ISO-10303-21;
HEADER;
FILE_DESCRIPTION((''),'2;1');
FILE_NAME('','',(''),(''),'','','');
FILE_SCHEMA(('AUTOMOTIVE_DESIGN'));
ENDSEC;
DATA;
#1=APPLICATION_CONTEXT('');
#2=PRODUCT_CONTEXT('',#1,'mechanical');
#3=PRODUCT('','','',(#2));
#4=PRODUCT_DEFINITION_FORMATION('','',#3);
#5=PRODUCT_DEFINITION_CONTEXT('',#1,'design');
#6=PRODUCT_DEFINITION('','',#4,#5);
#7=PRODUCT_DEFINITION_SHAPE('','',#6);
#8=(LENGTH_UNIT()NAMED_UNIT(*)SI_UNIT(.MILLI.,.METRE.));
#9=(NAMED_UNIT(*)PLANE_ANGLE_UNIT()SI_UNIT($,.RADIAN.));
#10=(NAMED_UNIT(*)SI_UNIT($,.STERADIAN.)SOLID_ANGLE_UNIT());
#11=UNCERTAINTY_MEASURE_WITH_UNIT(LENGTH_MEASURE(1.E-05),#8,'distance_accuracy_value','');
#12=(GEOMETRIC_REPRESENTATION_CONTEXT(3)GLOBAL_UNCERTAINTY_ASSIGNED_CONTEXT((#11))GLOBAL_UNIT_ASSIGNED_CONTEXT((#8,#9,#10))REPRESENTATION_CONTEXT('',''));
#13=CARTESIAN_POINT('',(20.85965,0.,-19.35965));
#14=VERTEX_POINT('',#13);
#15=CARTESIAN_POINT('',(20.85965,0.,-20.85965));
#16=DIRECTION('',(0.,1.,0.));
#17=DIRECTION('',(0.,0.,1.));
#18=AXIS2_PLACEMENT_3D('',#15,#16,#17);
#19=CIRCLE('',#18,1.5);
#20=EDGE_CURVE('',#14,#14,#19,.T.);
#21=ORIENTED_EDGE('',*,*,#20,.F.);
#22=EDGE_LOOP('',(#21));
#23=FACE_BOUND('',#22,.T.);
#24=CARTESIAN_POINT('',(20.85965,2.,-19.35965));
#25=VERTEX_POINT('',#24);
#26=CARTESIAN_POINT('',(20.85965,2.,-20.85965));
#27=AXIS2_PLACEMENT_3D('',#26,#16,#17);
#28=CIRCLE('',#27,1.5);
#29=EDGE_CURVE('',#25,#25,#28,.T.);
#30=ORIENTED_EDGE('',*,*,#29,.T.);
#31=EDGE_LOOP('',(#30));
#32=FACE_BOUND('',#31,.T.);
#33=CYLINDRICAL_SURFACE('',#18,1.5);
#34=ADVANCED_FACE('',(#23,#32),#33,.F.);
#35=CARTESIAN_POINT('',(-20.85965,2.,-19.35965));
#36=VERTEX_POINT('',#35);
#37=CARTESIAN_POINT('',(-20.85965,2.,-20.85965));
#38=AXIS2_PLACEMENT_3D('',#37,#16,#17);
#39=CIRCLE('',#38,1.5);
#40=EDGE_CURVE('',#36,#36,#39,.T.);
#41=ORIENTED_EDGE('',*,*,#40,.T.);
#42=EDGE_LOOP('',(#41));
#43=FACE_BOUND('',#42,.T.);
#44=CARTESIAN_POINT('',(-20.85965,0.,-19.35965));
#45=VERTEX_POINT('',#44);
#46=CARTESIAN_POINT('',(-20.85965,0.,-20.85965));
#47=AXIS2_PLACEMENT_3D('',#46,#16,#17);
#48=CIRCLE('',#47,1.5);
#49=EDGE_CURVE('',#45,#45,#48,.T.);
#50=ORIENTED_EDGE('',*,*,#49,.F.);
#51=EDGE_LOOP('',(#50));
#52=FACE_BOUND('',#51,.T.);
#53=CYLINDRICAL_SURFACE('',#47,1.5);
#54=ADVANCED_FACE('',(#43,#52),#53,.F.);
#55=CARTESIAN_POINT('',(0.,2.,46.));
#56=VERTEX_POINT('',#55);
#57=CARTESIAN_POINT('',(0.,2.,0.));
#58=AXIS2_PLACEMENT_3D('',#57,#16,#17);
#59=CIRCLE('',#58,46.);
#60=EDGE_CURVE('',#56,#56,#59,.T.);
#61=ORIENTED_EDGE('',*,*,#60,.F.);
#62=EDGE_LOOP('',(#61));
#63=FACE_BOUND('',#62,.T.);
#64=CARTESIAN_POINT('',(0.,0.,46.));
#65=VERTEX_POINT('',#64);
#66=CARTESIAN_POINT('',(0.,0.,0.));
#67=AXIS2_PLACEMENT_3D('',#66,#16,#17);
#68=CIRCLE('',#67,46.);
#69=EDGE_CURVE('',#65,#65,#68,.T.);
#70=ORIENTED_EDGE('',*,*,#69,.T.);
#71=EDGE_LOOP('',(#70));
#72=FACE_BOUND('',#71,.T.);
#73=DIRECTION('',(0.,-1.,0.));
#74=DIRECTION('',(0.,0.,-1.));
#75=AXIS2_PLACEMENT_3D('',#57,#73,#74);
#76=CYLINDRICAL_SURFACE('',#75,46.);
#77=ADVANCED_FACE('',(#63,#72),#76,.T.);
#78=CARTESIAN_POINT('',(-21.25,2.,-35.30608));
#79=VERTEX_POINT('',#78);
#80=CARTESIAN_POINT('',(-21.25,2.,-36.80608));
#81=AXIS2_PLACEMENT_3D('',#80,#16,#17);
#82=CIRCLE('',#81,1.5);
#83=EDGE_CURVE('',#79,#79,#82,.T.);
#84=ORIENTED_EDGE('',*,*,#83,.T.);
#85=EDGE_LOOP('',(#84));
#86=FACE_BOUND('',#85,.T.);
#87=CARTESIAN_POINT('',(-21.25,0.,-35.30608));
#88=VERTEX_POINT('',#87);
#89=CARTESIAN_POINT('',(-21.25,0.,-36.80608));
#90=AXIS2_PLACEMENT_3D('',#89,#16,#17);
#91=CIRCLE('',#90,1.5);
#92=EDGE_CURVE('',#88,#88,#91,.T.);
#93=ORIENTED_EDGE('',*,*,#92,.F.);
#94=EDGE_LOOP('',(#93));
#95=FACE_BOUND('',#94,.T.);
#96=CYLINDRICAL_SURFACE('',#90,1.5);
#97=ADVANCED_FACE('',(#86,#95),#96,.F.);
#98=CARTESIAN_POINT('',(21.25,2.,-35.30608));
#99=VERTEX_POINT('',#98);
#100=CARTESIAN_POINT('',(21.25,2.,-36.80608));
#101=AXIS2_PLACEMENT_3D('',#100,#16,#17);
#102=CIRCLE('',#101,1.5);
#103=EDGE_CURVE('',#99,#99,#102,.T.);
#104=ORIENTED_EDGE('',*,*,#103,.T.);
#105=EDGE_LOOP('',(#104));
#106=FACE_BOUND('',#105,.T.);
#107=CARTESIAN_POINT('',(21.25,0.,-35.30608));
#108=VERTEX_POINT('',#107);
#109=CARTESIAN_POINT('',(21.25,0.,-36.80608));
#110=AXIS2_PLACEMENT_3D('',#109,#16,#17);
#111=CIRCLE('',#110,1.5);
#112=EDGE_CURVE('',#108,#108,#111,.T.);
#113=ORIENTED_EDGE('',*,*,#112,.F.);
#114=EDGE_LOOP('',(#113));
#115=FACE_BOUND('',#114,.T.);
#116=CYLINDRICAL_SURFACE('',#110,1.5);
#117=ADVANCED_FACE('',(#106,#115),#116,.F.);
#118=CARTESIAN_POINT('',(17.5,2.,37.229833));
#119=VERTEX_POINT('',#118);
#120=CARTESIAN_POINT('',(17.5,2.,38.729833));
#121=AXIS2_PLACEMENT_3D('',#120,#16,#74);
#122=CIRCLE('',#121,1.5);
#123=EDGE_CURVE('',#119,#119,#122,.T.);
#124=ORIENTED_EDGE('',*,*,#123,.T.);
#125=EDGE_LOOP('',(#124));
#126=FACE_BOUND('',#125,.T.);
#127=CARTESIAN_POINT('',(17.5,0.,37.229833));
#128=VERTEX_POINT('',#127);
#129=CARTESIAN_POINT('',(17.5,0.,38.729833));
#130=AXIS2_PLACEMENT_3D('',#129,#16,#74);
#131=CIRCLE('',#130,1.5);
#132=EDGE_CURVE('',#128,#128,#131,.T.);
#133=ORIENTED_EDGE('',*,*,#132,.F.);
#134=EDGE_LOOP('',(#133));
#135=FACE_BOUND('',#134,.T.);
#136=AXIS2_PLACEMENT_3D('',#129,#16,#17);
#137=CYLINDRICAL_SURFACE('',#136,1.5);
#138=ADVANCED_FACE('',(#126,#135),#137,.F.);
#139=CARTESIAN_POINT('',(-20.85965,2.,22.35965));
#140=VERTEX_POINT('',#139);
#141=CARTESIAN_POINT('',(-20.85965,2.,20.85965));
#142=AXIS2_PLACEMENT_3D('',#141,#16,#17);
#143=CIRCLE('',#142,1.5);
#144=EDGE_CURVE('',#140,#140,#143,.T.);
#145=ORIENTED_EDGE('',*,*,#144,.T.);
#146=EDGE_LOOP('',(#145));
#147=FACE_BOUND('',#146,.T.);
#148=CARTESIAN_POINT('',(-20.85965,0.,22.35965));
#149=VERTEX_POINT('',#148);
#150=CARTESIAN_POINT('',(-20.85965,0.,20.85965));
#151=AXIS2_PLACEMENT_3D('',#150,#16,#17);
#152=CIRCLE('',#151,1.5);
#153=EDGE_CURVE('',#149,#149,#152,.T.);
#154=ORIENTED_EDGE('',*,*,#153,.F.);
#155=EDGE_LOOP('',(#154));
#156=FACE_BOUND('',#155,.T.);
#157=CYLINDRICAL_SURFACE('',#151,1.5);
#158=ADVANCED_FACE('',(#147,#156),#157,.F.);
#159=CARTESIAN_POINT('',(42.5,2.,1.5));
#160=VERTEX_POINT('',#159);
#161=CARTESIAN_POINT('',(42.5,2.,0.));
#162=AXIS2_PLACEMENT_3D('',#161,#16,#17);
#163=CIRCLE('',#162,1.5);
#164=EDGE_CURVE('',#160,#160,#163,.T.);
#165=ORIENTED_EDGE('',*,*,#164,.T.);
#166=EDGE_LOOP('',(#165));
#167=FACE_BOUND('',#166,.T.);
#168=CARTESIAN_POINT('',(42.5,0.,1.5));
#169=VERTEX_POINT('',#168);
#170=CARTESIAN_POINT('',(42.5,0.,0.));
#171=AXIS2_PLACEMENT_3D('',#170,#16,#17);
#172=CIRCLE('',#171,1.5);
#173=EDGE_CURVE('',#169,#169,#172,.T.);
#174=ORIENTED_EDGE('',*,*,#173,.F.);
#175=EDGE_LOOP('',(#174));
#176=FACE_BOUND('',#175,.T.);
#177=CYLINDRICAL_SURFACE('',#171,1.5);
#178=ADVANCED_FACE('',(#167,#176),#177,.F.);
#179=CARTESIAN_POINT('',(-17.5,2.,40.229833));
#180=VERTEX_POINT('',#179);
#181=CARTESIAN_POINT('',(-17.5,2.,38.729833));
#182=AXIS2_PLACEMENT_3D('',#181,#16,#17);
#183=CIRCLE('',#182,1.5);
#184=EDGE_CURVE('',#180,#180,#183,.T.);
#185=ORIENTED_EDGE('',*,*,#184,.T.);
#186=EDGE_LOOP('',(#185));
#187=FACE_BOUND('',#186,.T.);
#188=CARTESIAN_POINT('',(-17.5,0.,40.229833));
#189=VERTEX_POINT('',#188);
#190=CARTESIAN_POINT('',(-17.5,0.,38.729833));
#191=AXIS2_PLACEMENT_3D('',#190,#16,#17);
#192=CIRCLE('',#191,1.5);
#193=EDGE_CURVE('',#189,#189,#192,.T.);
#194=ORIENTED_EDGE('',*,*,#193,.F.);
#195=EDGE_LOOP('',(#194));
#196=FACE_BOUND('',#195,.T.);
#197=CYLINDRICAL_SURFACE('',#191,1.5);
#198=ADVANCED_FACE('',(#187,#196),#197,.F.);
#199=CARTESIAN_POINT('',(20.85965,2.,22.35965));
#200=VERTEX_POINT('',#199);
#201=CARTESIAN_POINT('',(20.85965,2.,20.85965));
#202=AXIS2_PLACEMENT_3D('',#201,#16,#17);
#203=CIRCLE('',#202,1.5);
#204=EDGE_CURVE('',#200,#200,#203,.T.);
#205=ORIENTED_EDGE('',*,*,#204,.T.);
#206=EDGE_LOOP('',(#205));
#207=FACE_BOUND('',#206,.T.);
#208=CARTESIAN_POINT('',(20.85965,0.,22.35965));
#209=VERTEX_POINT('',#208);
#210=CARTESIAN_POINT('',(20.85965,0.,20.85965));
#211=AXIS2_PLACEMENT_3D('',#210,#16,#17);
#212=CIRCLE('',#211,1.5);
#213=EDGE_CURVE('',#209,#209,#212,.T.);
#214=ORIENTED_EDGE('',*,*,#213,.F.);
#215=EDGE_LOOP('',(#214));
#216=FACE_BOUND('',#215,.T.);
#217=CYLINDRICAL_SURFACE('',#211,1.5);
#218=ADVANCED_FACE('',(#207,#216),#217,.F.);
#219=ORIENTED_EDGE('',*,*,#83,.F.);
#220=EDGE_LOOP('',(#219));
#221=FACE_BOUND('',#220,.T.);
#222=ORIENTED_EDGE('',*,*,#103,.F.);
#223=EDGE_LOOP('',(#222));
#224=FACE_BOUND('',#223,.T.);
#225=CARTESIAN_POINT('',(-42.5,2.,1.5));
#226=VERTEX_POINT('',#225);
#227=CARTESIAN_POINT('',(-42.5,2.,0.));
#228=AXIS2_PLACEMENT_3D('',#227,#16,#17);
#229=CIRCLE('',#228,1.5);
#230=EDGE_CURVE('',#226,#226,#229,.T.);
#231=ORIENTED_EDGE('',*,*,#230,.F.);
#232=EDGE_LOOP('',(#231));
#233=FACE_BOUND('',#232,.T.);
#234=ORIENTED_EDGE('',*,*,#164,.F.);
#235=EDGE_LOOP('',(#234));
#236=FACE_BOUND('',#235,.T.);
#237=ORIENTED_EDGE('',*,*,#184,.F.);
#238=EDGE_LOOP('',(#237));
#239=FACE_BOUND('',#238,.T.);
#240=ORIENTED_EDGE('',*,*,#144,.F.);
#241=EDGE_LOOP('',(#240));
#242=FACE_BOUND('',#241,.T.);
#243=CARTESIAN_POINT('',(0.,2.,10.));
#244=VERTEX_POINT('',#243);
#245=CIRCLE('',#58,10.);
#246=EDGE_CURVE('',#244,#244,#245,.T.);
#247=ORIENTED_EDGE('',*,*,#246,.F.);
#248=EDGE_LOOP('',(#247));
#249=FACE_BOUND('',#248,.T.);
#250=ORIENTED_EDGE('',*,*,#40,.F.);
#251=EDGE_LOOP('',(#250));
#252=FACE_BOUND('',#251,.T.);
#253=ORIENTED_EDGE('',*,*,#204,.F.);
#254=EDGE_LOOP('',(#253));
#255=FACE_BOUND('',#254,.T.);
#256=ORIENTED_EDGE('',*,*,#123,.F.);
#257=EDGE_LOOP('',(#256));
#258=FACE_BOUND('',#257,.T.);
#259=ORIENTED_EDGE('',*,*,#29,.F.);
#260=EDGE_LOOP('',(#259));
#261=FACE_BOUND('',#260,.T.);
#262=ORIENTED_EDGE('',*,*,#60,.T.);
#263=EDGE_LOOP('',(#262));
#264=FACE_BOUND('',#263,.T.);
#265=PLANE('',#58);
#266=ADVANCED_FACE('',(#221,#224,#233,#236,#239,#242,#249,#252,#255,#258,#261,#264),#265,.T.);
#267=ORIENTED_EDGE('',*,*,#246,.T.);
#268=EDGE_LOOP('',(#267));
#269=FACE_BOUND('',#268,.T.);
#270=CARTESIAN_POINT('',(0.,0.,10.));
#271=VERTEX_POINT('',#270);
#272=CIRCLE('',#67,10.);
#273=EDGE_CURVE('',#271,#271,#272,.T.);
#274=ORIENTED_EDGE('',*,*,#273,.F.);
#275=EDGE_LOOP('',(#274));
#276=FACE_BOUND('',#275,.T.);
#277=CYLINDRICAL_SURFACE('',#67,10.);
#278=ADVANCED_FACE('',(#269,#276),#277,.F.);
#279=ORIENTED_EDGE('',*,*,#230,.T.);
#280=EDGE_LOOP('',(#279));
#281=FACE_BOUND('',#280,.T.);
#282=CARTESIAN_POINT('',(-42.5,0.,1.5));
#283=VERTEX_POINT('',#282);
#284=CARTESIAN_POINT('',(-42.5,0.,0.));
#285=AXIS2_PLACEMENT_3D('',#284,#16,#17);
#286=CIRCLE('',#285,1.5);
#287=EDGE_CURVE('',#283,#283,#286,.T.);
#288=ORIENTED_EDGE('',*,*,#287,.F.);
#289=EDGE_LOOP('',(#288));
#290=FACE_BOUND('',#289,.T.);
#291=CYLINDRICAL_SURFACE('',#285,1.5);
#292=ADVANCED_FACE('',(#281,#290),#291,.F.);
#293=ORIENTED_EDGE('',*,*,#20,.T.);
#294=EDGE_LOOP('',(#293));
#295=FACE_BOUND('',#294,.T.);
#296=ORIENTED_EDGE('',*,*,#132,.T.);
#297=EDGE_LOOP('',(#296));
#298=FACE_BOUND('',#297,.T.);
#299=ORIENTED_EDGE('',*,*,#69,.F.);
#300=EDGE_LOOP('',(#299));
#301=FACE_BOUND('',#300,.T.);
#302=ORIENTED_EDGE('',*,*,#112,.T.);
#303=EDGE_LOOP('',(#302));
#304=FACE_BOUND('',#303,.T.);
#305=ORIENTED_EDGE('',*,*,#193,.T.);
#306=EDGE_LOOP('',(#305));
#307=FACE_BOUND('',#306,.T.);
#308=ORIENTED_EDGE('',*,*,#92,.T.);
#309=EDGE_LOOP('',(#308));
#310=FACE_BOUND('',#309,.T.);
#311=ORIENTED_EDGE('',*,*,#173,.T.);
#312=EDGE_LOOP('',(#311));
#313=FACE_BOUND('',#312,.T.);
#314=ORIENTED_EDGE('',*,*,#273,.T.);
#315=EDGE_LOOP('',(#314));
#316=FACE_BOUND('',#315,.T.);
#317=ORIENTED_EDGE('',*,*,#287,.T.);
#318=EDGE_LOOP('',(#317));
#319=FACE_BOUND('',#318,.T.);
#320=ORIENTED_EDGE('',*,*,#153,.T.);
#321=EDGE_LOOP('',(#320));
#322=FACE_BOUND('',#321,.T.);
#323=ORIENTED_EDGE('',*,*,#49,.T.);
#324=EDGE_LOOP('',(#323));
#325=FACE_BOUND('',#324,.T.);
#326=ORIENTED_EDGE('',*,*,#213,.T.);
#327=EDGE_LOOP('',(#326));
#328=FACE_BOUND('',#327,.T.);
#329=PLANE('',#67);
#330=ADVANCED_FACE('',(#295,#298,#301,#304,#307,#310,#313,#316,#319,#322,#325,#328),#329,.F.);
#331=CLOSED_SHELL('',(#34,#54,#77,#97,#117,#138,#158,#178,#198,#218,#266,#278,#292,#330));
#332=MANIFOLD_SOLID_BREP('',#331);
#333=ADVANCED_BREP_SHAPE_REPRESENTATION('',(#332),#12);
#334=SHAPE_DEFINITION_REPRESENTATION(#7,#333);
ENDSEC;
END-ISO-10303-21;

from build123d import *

# Parameters (mm, degrees)
SKETCH_1_R          = 46
EXTRUDE_1_DEPTH     = 2
SKETCH_2_R          = 1.5
CUT_EXTRUDE_1_DEPTH = 66.084560381
SKETCH_3_R          = 1.5
CUT_EXTRUDE_2_DEPTH = 66.084560381
SKETCH_4_R          = 10
CUT_EXTRUDE_3_DEPTH = 66.084560381


with BuildPart() as part:
    # 草图1 → 凸台-拉伸1 (new body)
    with BuildSketch(Plane(origin=(0, 0, 0), x_dir=(1, 0, 0), z_dir=(0, 1, 0))):
        with Locations(Location((0, 0, 0), (0, 0, 270))):
            Circle(SKETCH_1_R)
    extrude(amount=EXTRUDE_1_DEPTH)

    # 草图2 → 切除-拉伸1 (cut, through all)
    with BuildSketch(Plane(origin=(0, 2, 0), x_dir=(1, 0, 0), z_dir=(0, 1, 0))):
        with Locations(Location((-21.25, 36.806079661, 0), (0, 0, 270))):
            Circle(SKETCH_2_R)
        with Locations(Location((21.25, 36.806079661, 0), (0, 0, 270))):
            Circle(SKETCH_2_R)
        with Locations(Location((42.5, 0, 0), (0, 0, 270))):
            Circle(SKETCH_2_R)
        with Locations(Location((-42.5, 0, 0), (0, 0, 270))):
            Circle(SKETCH_2_R)
        with Locations(Location((-17.5, -38.729833462, 0), (0, 0, 270))):
            Circle(SKETCH_2_R)
        with Locations(Location((17.5, -38.729833462, 0), (0, 0, 90))):
            Circle(SKETCH_2_R)
    extrude(amount=-CUT_EXTRUDE_1_DEPTH, mode=Mode.SUBTRACT)

    # 草图3 → 切除-拉伸2 (cut, through all)
    with BuildSketch(Plane(origin=(0, 2, 0), x_dir=(1, 0, 0), z_dir=(0, 1, 0))):
        with Locations(Location((-20.859650045, -20.859650045, 0), (0, 0, 270))):
            Circle(SKETCH_3_R)
        with Locations(Location((-20.859650045, 20.859650045, 0), (0, 0, 270))):
            Circle(SKETCH_3_R)
        with Locations(Location((20.859650045, 20.859650045, 0), (0, 0, 270))):
            Circle(SKETCH_3_R)
        with Locations(Location((20.859650045, -20.859650045, 0), (0, 0, 270))):
            Circle(SKETCH_3_R)
    extrude(amount=-CUT_EXTRUDE_2_DEPTH, mode=Mode.SUBTRACT)

    # 草图4 → 切除-拉伸3 (cut, through all)
    with BuildSketch(Plane(origin=(0, 2, 0), x_dir=(1, 0, 0), z_dir=(0, 1, 0))):
        with Locations(Location((0, 0, 0), (0, 0, 270))):
            Circle(SKETCH_4_R)
    extrude(amount=-CUT_EXTRUDE_3_DEPTH, mode=Mode.SUBTRACT)


solid = part.part
